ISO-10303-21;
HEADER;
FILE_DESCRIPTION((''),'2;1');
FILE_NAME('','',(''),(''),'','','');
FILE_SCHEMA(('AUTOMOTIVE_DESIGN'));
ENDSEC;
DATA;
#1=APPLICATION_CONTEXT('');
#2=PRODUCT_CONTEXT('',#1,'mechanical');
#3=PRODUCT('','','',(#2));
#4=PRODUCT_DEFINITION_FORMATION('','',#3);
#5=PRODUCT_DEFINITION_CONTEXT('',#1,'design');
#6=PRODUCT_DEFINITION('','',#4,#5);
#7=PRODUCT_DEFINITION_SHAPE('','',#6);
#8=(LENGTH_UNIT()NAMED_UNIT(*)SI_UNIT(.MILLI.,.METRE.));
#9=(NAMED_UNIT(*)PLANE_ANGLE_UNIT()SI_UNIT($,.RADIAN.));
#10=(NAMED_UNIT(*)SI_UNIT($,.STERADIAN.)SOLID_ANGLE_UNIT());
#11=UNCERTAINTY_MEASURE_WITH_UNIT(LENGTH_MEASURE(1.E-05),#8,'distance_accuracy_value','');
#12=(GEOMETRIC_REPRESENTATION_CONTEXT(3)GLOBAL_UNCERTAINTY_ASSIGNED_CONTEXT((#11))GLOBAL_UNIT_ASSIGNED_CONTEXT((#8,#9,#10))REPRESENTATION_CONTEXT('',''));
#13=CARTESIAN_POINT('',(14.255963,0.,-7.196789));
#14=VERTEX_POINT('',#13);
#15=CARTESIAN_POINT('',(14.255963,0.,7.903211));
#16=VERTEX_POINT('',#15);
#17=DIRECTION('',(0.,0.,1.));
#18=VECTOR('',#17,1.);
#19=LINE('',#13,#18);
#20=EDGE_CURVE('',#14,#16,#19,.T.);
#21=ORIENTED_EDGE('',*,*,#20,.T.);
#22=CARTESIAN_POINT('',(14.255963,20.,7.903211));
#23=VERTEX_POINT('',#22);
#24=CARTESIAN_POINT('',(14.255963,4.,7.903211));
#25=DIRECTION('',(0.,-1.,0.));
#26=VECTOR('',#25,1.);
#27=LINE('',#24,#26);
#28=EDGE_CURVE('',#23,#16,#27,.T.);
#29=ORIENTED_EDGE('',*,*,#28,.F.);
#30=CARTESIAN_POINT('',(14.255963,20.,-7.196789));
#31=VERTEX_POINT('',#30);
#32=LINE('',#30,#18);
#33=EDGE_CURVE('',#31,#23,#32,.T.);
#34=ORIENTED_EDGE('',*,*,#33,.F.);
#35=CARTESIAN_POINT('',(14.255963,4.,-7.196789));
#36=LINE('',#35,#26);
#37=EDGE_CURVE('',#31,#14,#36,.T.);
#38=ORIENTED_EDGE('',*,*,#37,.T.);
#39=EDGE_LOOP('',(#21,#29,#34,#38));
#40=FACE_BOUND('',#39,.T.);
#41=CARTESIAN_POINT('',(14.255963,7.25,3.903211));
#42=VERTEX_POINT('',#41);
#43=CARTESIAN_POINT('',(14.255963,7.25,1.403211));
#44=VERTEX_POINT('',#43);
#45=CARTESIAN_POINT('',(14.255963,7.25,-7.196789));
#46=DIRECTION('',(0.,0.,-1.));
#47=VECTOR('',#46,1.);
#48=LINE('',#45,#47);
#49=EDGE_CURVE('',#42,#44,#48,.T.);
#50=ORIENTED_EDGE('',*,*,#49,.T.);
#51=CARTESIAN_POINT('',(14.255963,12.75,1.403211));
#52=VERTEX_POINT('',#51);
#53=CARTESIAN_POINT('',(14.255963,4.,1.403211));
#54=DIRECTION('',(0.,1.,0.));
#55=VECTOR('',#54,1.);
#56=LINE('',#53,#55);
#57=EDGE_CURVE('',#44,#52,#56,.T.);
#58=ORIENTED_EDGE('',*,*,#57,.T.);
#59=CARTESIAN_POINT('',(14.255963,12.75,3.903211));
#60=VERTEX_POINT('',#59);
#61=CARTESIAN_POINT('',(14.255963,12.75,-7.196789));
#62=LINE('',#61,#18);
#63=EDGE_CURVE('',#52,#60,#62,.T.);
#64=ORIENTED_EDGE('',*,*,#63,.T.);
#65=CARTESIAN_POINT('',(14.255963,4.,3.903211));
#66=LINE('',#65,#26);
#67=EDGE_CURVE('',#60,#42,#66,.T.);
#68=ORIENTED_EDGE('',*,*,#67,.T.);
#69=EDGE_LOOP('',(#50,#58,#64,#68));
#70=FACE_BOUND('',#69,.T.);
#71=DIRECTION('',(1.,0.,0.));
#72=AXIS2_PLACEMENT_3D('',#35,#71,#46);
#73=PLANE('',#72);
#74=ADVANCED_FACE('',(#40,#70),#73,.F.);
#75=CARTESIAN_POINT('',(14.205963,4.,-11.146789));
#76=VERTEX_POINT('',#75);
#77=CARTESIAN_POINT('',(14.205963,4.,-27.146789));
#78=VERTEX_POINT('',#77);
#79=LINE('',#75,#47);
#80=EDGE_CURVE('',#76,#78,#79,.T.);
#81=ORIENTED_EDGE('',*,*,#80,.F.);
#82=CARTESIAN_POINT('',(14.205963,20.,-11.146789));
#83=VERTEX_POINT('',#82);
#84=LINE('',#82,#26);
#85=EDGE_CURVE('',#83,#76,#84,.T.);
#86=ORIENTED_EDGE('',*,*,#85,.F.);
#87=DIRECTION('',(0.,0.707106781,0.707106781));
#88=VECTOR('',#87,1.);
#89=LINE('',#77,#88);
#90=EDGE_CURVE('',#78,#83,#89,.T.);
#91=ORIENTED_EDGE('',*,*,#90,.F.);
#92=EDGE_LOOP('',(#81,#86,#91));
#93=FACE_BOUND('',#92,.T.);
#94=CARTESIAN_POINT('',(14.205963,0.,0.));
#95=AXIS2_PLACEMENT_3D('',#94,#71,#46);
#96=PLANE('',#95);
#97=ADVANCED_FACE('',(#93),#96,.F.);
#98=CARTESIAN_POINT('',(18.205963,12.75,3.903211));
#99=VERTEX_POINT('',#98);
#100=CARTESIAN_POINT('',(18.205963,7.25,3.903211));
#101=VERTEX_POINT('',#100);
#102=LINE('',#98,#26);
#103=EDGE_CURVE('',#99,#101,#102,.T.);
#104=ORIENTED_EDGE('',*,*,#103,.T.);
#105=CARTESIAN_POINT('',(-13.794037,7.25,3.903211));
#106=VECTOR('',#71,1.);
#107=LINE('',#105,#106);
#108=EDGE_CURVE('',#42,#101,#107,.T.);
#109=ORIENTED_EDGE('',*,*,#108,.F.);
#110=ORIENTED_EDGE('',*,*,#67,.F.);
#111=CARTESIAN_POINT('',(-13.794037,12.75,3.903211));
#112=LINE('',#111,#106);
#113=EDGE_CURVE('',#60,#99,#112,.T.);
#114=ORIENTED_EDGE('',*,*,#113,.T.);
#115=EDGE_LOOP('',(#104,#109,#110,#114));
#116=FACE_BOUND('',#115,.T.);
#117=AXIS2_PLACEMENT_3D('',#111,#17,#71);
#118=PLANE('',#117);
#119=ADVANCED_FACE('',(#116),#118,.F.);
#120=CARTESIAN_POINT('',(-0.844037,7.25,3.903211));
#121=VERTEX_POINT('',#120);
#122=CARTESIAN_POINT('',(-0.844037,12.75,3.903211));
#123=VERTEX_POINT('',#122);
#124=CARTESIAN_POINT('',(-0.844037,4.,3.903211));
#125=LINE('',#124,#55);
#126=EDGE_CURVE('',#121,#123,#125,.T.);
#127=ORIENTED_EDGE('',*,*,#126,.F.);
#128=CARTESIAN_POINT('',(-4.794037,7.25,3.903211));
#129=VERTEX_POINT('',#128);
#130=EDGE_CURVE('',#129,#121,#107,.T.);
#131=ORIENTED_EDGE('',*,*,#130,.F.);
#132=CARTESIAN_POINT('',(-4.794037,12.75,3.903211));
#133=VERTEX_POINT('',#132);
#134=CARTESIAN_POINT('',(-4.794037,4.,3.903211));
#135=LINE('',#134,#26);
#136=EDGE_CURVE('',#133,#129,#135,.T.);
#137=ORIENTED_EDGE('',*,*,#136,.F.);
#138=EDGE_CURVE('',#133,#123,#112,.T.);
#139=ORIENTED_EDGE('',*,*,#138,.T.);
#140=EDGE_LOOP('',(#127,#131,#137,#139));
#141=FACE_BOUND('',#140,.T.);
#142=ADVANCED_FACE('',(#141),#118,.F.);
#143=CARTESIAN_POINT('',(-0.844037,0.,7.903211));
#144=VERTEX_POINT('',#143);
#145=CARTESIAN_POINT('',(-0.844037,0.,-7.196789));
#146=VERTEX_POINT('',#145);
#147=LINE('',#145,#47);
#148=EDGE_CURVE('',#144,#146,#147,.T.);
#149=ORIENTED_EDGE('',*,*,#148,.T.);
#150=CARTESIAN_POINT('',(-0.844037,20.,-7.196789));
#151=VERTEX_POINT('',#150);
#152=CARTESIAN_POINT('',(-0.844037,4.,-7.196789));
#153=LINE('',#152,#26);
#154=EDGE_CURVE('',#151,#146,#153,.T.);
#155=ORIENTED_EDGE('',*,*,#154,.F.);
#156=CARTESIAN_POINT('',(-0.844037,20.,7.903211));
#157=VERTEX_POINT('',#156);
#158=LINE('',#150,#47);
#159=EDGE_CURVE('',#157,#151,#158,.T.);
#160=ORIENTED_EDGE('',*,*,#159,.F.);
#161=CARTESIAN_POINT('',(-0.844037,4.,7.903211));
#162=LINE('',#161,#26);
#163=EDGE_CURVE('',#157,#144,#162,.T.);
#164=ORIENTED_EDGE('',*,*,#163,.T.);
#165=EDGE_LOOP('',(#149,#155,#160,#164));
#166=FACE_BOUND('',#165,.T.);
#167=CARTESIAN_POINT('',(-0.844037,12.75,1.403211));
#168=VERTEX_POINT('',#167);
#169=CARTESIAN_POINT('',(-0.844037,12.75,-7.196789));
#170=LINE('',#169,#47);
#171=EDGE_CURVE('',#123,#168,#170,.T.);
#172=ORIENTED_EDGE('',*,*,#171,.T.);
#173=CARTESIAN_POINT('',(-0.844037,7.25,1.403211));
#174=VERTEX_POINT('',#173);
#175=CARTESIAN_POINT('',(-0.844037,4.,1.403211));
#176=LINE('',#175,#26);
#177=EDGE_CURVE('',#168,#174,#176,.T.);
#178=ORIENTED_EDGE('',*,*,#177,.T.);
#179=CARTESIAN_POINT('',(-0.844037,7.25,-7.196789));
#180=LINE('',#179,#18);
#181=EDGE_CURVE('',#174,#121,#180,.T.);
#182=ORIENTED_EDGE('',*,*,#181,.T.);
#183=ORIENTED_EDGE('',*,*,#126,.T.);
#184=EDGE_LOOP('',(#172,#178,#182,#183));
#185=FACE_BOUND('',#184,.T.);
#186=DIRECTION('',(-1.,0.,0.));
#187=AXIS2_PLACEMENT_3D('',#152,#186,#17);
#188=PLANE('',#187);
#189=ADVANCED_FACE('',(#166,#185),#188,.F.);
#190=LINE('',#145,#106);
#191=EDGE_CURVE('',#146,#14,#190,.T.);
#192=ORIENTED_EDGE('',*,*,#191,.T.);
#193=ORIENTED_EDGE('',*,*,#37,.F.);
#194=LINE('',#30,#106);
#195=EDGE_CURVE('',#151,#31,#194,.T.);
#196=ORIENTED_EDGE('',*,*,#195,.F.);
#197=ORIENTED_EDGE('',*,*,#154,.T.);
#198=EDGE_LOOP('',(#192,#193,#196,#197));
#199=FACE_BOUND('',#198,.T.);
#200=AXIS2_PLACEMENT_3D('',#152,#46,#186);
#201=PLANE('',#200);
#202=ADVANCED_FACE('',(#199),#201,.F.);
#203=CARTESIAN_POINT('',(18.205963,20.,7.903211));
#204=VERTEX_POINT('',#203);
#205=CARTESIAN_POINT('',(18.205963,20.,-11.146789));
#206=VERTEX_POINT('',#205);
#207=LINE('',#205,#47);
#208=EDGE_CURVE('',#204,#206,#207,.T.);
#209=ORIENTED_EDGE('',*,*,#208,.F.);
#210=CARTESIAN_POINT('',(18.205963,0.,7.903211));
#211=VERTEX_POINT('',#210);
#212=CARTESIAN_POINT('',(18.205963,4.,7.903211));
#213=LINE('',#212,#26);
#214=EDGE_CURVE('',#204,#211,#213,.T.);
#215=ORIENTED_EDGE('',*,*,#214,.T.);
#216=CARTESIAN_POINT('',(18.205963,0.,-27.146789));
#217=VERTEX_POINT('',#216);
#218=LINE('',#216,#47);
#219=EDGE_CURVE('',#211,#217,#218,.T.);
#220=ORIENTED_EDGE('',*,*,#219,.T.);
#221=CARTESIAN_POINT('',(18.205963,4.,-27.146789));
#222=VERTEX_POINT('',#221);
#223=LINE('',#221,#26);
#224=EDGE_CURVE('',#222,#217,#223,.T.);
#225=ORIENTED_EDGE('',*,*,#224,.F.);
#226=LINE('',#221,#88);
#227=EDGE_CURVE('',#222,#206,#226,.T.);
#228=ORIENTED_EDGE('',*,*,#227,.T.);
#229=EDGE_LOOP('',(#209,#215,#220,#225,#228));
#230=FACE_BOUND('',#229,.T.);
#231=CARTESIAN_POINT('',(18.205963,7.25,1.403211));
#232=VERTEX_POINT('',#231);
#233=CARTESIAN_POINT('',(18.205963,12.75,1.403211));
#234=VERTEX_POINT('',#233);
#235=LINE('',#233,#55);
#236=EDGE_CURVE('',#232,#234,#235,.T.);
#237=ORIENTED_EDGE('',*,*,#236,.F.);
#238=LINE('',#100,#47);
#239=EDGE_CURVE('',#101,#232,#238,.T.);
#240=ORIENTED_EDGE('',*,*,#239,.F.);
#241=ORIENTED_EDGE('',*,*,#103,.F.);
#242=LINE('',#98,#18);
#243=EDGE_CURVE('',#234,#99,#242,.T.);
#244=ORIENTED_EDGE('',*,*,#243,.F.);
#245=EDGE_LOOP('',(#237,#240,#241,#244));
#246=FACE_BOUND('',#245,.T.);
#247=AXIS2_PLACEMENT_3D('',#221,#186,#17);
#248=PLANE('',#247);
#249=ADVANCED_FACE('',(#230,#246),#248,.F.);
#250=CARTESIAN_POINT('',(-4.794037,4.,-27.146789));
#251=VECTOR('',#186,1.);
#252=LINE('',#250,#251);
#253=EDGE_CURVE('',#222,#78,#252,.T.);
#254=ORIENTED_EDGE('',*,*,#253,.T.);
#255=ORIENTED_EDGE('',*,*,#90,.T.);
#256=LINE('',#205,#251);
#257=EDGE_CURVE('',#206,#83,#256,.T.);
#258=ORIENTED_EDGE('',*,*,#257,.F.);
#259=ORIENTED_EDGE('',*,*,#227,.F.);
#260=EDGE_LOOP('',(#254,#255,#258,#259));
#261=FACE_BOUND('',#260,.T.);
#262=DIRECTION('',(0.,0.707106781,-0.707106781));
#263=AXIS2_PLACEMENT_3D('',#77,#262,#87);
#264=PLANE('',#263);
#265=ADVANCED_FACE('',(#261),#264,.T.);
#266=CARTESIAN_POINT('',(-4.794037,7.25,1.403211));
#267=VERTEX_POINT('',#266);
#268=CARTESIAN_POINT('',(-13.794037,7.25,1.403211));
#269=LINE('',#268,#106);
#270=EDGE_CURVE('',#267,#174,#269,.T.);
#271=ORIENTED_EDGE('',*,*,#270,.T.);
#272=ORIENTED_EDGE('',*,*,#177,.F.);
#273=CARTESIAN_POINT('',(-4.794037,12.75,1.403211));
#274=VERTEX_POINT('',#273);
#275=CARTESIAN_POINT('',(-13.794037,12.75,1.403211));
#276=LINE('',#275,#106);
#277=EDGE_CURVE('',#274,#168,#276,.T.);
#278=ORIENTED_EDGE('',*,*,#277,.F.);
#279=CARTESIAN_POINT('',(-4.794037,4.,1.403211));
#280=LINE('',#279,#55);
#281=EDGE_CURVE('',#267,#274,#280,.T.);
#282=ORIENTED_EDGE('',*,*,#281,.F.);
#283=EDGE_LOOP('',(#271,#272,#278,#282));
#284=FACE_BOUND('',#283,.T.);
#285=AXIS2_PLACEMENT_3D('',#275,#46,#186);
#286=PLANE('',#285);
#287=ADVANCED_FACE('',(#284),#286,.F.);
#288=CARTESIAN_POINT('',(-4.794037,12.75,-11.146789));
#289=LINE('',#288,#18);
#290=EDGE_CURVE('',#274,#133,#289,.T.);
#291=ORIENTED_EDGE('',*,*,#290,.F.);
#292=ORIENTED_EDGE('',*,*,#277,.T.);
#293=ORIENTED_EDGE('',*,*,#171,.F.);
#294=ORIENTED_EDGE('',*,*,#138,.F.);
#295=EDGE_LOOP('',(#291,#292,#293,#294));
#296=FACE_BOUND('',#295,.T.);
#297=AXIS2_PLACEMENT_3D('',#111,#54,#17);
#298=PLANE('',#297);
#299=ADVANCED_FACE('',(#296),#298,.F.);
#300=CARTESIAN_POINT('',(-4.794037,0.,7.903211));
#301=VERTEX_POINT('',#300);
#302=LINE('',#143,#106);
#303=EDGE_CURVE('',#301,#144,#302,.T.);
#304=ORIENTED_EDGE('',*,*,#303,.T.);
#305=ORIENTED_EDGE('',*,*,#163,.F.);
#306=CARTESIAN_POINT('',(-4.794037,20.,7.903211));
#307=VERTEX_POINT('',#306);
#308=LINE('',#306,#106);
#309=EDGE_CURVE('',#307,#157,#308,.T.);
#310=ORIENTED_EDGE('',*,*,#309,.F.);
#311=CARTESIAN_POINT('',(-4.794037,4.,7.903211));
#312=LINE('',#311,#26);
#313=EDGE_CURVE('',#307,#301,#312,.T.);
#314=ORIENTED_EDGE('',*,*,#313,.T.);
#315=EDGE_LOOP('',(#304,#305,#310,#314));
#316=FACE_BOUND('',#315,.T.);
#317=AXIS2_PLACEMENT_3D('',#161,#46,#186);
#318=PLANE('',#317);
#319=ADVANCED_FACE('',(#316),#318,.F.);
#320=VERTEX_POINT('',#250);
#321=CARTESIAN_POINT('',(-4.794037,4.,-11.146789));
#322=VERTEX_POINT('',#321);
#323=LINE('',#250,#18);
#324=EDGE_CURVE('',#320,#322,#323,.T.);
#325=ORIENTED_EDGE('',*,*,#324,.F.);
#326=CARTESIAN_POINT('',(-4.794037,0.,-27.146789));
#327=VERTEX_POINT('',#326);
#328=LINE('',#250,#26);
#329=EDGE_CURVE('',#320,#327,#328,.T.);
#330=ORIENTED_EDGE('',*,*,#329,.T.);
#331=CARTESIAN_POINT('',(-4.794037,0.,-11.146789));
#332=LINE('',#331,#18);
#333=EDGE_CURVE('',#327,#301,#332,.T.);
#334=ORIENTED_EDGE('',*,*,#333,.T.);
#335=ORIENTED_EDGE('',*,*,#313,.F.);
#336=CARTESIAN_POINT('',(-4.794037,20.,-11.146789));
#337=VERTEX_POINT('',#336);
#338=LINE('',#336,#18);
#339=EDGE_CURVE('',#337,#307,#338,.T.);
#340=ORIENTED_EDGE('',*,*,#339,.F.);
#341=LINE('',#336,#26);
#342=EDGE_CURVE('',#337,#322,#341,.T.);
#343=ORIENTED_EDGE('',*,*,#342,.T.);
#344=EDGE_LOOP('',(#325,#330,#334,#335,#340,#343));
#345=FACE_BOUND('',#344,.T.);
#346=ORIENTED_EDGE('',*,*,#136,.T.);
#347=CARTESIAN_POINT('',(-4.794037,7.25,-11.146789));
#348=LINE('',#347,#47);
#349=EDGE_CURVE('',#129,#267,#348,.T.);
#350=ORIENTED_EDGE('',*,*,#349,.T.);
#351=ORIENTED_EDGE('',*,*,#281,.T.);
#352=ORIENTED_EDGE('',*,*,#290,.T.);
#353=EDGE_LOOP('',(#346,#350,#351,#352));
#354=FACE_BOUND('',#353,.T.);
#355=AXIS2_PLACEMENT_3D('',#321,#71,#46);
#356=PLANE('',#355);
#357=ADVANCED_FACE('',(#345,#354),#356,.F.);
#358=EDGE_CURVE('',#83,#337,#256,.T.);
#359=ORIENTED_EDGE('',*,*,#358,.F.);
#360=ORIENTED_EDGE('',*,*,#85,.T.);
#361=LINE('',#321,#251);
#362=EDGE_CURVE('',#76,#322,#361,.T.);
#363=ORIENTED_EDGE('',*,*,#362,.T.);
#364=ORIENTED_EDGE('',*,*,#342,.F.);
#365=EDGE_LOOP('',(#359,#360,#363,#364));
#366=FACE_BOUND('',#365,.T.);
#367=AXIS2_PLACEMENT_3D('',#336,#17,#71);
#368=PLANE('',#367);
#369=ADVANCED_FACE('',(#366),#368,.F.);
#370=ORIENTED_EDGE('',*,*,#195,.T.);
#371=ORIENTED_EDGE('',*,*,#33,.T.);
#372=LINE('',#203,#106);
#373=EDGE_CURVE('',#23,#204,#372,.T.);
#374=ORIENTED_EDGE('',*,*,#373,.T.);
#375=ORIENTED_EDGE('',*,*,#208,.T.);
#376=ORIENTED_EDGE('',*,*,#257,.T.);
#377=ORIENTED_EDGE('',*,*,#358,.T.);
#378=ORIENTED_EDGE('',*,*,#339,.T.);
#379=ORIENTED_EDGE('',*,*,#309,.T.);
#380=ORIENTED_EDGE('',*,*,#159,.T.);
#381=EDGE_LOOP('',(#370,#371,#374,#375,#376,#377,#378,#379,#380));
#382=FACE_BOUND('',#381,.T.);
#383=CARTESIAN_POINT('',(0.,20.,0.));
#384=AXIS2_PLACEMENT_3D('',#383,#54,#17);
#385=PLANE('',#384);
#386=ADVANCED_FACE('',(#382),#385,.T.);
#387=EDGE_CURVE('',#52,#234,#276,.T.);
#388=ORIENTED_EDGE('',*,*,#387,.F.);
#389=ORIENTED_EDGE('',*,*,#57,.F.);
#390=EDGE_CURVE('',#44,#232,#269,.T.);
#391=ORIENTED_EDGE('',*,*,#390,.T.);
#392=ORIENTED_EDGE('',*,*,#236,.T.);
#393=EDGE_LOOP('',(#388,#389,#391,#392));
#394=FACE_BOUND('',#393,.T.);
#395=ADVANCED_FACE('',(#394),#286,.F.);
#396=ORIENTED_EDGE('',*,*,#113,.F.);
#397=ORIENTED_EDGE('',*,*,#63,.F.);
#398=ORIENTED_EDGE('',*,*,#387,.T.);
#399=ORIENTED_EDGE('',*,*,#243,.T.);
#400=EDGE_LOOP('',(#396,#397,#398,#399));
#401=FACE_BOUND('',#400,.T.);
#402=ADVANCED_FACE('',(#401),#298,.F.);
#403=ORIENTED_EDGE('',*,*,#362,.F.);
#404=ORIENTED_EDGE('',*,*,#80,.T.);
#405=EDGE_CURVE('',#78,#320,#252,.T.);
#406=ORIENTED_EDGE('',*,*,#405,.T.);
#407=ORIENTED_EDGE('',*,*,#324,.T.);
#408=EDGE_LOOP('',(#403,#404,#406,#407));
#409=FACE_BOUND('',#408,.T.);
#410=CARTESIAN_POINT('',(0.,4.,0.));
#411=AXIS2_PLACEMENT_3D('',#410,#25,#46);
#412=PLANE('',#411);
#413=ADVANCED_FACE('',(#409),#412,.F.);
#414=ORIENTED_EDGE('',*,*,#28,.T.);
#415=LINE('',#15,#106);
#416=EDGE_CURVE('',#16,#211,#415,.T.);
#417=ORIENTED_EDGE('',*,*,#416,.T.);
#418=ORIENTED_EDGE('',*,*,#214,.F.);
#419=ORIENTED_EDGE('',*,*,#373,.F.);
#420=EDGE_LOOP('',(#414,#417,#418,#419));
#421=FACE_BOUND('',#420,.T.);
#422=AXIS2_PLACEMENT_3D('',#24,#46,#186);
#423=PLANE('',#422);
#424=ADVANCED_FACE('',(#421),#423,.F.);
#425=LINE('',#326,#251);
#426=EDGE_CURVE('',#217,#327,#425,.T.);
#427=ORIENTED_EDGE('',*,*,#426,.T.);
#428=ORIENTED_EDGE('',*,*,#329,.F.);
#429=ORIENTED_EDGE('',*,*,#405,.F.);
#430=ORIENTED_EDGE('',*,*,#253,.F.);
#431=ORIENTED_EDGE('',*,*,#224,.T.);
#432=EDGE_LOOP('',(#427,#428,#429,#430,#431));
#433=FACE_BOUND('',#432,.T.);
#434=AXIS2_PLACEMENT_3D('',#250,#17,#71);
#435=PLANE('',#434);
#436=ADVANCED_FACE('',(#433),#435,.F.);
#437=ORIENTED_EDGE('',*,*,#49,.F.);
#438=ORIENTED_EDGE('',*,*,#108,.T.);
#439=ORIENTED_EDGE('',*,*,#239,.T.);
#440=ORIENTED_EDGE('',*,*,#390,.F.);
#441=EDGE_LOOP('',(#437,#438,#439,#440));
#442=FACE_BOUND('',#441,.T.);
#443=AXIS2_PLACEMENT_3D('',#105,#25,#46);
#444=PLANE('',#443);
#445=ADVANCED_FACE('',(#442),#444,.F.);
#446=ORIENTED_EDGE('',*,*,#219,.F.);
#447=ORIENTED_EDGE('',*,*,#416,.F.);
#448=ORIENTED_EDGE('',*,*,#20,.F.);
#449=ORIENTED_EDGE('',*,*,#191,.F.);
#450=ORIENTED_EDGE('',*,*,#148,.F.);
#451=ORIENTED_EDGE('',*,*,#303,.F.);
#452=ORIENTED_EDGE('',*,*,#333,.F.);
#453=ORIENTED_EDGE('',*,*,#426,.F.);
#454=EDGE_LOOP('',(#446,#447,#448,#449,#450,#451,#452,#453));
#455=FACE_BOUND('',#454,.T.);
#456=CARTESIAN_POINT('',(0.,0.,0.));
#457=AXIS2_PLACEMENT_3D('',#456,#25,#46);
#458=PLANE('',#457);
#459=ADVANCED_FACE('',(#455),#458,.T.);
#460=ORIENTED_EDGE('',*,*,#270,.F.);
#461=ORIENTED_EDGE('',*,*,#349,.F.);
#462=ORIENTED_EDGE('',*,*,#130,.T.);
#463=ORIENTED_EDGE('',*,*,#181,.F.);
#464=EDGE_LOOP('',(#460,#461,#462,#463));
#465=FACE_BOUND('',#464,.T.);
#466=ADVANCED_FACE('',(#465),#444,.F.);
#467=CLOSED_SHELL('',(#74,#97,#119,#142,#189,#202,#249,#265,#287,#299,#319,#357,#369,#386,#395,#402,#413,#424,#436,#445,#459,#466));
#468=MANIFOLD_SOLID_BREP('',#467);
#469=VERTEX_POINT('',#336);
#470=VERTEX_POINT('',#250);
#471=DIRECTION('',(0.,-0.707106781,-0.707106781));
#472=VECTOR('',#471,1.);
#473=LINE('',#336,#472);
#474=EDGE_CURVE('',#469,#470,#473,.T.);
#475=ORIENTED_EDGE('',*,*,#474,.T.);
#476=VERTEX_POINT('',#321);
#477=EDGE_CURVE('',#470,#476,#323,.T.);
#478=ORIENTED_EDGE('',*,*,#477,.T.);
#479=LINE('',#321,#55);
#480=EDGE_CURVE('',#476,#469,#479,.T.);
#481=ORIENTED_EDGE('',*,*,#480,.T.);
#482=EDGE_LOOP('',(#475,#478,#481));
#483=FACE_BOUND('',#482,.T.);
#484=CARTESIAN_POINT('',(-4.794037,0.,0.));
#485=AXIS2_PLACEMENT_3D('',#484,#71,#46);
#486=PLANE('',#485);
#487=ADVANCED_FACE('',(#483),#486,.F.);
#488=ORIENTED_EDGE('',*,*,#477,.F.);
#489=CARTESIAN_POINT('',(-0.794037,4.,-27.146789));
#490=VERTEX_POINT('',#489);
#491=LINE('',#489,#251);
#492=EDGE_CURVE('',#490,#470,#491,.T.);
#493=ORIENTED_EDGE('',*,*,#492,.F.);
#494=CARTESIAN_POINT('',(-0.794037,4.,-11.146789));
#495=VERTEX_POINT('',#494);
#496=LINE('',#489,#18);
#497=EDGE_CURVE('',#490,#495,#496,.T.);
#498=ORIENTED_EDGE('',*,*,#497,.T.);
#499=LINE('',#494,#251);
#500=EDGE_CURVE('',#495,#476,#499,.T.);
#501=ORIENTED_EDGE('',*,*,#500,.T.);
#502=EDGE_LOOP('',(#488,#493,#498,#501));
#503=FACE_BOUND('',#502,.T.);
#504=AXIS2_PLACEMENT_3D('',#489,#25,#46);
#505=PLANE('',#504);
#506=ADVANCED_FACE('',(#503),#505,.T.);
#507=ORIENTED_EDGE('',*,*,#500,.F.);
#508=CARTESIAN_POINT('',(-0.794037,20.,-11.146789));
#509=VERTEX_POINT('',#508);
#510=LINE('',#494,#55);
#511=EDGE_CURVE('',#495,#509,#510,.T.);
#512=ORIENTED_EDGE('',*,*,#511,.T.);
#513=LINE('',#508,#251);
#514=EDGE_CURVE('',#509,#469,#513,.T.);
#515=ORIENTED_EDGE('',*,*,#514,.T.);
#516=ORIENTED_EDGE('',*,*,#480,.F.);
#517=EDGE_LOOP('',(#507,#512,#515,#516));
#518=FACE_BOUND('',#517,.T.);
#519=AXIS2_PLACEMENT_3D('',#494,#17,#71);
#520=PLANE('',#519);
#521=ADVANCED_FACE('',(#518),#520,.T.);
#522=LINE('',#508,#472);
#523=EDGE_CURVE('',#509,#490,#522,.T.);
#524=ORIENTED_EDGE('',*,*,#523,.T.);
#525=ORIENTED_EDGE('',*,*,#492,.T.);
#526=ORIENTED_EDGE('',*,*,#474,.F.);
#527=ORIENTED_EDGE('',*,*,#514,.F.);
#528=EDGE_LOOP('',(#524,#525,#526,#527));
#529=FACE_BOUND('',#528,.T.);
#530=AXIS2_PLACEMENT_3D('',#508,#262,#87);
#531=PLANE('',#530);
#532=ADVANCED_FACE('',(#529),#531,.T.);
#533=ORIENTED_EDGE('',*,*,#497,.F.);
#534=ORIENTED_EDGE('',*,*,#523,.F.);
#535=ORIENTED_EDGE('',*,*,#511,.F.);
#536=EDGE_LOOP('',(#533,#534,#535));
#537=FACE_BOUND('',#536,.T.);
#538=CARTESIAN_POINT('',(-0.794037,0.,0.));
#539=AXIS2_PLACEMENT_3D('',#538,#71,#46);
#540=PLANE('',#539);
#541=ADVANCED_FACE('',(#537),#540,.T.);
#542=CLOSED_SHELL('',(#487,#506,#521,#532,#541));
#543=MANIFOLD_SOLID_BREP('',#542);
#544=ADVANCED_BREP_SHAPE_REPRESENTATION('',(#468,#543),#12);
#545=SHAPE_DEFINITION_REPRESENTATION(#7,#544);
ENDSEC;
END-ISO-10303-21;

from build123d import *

# Parameters (mm, degrees)
EXTRUDE_1_DEPTH     = 4
EXTRUDE_2_DEPTH     = 16
EXTRUDE_3_DEPTH     = 4
EXTRUDE_4_DEPTH     = 4
SKETCH_5_W          = 2.5
SKETCH_5_H          = 5.5
CUT_EXTRUDE_1_DEPTH = 32


with BuildPart() as part:
    # 草图1 → 凸台-拉伸1 (new body)
    with BuildSketch(Plane(origin=(0, 0, 0), x_dir=(1, 0, 0), z_dir=(0, 1, 0))):
        Polygon((-4.794036697, 11.146788991), (-4.794036697, -7.903211009), (-0.844036697, -7.903211009), (-0.844036697, 7.196788991), (14.255963303, 7.196788991), (14.255963303, -7.903211009), (18.205963303, -7.903211009), (18.205963303, 11.146788991), (18.205963303, 27.146788991), (-4.794036697, 27.146788991), align=None)
    extrude(amount=EXTRUDE_1_DEPTH)

    # 草图2 → 凸台-拉伸2 (add)
    with BuildSketch(Plane(origin=(0, 4, 0), x_dir=(1, 0, 0), z_dir=(0, 1, 0))):
        Polygon((-4.794036697, 11.146788991), (-0.844036697, 11.146788991), (14.255963303, 11.146788991), (18.205963303, 11.146788991), (18.205963303, -7.903211009), (14.255963303, -7.903211009), (14.255963303, 7.196788991), (-0.844036697, 7.196788991), (-0.844036697, -7.903211009), (-4.794036697, -7.903211009), align=None)
    extrude(amount=EXTRUDE_2_DEPTH)

    # 草图4 → 凸台-拉伸4 (add)
    with BuildSketch(Plane(origin=(18.205963303, 0, 0), x_dir=(0, 0, -1), z_dir=(1, 0, 0))):
        Polygon((11.146788991, 20), (11.146788991, 4), (27.146788991, 4), align=None)
    extrude(amount=-EXTRUDE_4_DEPTH)

    # 草图5 → 切除-拉伸1 (cut)
    with BuildSketch(Plane(origin=(18.205963303, 0, 0), x_dir=(0, 0, -1), z_dir=(1, 0, 0))):
        with Locations((-2.653211009, 10)):
            Rectangle(SKETCH_5_W, SKETCH_5_H)
    extrude(amount=-CUT_EXTRUDE_1_DEPTH, mode=Mode.SUBTRACT)


with BuildPart() as body_2:
    # 草图3 → 凸台-拉伸3 (new body)
    with BuildSketch(Plane.ZY.offset(4.794036697)):
        Polygon((-11.146788991, 20), (-27.146788991, 4), (-11.146788991, 4), align=None)
    extrude(amount=-EXTRUDE_3_DEPTH)


solid = Compound([part.part, body_2.part])
